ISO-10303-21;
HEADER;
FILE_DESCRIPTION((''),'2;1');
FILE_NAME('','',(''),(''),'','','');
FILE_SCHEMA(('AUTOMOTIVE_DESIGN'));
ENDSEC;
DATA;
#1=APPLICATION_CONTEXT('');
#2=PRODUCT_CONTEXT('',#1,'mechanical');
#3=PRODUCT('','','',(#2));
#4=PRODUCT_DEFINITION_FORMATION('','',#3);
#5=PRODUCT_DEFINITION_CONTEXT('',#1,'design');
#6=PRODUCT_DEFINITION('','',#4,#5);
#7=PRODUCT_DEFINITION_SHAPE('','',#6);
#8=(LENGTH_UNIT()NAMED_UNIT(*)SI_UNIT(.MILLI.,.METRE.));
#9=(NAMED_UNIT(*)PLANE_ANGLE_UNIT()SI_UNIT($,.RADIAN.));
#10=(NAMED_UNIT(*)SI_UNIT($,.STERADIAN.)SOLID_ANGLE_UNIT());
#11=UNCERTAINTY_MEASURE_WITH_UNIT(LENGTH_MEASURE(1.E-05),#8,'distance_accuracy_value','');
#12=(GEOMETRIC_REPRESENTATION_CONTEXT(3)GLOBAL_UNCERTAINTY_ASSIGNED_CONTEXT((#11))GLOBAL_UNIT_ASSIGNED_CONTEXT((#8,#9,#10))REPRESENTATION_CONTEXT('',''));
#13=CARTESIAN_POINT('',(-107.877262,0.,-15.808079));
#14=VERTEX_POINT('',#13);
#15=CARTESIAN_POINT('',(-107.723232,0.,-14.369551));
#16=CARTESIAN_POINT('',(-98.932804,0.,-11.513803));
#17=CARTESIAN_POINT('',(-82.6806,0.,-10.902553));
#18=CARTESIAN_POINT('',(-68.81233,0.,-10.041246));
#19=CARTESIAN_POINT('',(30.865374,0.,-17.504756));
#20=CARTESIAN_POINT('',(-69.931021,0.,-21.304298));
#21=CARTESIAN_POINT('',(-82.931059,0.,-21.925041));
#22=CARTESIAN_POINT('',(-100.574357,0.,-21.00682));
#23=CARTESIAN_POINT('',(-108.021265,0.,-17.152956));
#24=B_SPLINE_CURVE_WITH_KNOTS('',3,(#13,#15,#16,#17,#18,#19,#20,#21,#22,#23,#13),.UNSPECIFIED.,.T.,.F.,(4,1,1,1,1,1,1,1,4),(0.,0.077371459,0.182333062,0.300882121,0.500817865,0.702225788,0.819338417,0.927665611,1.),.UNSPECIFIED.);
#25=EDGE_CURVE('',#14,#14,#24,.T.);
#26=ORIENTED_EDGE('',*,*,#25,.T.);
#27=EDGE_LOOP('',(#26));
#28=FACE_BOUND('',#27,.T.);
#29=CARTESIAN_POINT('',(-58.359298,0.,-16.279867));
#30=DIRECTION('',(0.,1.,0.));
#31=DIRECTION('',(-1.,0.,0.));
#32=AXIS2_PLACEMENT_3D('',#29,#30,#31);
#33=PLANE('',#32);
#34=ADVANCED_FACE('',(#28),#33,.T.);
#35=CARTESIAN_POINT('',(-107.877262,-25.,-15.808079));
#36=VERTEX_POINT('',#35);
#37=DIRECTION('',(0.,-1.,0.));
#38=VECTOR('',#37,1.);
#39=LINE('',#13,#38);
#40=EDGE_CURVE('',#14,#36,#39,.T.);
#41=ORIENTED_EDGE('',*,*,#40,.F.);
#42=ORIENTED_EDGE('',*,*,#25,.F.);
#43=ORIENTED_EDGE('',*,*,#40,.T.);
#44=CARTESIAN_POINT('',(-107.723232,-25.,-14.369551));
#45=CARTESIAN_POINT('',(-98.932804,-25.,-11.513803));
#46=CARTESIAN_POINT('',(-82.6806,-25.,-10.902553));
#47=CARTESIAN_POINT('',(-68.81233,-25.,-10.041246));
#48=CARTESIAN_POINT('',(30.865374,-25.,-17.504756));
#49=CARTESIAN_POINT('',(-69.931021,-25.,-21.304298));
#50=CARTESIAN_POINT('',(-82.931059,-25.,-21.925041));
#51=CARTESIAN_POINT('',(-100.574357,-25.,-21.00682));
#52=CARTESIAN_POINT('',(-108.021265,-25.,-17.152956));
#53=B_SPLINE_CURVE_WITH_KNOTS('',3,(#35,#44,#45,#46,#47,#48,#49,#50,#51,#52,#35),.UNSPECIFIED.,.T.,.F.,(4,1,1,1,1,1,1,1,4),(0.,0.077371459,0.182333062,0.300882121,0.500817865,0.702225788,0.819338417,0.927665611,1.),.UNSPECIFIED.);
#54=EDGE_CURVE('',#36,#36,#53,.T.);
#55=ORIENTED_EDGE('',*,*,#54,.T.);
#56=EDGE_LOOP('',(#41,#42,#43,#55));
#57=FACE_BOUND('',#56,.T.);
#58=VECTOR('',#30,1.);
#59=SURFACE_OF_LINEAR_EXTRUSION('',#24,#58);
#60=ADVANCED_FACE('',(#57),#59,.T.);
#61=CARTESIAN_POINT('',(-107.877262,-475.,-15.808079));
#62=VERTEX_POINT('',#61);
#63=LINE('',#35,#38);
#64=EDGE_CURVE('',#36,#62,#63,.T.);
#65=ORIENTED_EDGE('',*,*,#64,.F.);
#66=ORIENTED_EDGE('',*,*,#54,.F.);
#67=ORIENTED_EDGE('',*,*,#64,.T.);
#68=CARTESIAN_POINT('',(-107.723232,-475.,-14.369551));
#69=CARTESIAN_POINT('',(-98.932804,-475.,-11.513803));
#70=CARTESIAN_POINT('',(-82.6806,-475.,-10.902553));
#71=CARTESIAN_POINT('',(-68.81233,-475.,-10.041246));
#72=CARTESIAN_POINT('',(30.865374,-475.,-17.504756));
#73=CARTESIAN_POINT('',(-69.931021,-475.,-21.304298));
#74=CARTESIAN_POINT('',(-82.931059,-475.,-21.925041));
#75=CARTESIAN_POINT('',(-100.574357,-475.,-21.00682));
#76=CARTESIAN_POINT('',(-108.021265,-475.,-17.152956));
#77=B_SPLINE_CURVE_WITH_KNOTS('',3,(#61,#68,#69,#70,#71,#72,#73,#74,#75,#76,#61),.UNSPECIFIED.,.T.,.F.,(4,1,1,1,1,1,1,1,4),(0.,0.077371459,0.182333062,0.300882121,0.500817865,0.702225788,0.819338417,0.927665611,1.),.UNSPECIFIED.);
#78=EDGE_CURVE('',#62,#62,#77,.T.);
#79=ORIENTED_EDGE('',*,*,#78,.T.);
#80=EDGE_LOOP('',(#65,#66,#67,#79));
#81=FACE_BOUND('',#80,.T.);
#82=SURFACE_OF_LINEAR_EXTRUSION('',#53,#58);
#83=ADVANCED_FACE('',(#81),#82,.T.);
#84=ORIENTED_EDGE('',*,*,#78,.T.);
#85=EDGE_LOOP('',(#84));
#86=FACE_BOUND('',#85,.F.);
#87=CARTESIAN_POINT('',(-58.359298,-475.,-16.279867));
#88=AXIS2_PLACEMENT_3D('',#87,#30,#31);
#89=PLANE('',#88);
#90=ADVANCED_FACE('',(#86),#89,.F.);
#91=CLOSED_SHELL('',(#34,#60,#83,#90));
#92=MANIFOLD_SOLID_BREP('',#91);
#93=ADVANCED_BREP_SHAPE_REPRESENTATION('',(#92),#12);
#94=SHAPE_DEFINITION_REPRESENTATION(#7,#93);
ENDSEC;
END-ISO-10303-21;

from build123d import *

# Parameters (mm, degrees)
F1_DEPTH = 25
F2_DEPTH = 450


with BuildPart() as f1:
    # F0 (on Front) → F1 (new body)
    with BuildSketch(Plane.XZ):
        with BuildLine():
            add(Edge.make_bspline(
                [(-107.8772624077, -15.808079202), (-107.7232320048, -14.3695511511), (-98.9328043359, -11.5138031173), (-82.6805995953, -10.9025528164), (-68.812329529, -10.0412460654), (30.8653738518, -17.5047557331), (-69.9310208485, -21.304298007), (-82.9310590858, -21.9250406965), (-100.5743569271, -21.0068200428), (-108.0212650582, -17.1529555916), (-107.8772624077, -15.808079202)],
                knots=[0, 0, 0, 0, 0.0773714587, 0.1823330617, 0.3008821209, 0.5008178652, 0.702225788, 0.819338417, 0.9276656107, 1, 1, 1, 1], degree=3))
        make_face()
    extrude(amount=F1_DEPTH)

    # F2 (add): a face of the model
    f2_faces = [f1.faces().sort_by_distance(p)[0] for p in [
        (-63.6610043566, -25, -16.2274060581),
    ]]
    extrude(f2_faces, amount=F2_DEPTH)


solid = f1.part
